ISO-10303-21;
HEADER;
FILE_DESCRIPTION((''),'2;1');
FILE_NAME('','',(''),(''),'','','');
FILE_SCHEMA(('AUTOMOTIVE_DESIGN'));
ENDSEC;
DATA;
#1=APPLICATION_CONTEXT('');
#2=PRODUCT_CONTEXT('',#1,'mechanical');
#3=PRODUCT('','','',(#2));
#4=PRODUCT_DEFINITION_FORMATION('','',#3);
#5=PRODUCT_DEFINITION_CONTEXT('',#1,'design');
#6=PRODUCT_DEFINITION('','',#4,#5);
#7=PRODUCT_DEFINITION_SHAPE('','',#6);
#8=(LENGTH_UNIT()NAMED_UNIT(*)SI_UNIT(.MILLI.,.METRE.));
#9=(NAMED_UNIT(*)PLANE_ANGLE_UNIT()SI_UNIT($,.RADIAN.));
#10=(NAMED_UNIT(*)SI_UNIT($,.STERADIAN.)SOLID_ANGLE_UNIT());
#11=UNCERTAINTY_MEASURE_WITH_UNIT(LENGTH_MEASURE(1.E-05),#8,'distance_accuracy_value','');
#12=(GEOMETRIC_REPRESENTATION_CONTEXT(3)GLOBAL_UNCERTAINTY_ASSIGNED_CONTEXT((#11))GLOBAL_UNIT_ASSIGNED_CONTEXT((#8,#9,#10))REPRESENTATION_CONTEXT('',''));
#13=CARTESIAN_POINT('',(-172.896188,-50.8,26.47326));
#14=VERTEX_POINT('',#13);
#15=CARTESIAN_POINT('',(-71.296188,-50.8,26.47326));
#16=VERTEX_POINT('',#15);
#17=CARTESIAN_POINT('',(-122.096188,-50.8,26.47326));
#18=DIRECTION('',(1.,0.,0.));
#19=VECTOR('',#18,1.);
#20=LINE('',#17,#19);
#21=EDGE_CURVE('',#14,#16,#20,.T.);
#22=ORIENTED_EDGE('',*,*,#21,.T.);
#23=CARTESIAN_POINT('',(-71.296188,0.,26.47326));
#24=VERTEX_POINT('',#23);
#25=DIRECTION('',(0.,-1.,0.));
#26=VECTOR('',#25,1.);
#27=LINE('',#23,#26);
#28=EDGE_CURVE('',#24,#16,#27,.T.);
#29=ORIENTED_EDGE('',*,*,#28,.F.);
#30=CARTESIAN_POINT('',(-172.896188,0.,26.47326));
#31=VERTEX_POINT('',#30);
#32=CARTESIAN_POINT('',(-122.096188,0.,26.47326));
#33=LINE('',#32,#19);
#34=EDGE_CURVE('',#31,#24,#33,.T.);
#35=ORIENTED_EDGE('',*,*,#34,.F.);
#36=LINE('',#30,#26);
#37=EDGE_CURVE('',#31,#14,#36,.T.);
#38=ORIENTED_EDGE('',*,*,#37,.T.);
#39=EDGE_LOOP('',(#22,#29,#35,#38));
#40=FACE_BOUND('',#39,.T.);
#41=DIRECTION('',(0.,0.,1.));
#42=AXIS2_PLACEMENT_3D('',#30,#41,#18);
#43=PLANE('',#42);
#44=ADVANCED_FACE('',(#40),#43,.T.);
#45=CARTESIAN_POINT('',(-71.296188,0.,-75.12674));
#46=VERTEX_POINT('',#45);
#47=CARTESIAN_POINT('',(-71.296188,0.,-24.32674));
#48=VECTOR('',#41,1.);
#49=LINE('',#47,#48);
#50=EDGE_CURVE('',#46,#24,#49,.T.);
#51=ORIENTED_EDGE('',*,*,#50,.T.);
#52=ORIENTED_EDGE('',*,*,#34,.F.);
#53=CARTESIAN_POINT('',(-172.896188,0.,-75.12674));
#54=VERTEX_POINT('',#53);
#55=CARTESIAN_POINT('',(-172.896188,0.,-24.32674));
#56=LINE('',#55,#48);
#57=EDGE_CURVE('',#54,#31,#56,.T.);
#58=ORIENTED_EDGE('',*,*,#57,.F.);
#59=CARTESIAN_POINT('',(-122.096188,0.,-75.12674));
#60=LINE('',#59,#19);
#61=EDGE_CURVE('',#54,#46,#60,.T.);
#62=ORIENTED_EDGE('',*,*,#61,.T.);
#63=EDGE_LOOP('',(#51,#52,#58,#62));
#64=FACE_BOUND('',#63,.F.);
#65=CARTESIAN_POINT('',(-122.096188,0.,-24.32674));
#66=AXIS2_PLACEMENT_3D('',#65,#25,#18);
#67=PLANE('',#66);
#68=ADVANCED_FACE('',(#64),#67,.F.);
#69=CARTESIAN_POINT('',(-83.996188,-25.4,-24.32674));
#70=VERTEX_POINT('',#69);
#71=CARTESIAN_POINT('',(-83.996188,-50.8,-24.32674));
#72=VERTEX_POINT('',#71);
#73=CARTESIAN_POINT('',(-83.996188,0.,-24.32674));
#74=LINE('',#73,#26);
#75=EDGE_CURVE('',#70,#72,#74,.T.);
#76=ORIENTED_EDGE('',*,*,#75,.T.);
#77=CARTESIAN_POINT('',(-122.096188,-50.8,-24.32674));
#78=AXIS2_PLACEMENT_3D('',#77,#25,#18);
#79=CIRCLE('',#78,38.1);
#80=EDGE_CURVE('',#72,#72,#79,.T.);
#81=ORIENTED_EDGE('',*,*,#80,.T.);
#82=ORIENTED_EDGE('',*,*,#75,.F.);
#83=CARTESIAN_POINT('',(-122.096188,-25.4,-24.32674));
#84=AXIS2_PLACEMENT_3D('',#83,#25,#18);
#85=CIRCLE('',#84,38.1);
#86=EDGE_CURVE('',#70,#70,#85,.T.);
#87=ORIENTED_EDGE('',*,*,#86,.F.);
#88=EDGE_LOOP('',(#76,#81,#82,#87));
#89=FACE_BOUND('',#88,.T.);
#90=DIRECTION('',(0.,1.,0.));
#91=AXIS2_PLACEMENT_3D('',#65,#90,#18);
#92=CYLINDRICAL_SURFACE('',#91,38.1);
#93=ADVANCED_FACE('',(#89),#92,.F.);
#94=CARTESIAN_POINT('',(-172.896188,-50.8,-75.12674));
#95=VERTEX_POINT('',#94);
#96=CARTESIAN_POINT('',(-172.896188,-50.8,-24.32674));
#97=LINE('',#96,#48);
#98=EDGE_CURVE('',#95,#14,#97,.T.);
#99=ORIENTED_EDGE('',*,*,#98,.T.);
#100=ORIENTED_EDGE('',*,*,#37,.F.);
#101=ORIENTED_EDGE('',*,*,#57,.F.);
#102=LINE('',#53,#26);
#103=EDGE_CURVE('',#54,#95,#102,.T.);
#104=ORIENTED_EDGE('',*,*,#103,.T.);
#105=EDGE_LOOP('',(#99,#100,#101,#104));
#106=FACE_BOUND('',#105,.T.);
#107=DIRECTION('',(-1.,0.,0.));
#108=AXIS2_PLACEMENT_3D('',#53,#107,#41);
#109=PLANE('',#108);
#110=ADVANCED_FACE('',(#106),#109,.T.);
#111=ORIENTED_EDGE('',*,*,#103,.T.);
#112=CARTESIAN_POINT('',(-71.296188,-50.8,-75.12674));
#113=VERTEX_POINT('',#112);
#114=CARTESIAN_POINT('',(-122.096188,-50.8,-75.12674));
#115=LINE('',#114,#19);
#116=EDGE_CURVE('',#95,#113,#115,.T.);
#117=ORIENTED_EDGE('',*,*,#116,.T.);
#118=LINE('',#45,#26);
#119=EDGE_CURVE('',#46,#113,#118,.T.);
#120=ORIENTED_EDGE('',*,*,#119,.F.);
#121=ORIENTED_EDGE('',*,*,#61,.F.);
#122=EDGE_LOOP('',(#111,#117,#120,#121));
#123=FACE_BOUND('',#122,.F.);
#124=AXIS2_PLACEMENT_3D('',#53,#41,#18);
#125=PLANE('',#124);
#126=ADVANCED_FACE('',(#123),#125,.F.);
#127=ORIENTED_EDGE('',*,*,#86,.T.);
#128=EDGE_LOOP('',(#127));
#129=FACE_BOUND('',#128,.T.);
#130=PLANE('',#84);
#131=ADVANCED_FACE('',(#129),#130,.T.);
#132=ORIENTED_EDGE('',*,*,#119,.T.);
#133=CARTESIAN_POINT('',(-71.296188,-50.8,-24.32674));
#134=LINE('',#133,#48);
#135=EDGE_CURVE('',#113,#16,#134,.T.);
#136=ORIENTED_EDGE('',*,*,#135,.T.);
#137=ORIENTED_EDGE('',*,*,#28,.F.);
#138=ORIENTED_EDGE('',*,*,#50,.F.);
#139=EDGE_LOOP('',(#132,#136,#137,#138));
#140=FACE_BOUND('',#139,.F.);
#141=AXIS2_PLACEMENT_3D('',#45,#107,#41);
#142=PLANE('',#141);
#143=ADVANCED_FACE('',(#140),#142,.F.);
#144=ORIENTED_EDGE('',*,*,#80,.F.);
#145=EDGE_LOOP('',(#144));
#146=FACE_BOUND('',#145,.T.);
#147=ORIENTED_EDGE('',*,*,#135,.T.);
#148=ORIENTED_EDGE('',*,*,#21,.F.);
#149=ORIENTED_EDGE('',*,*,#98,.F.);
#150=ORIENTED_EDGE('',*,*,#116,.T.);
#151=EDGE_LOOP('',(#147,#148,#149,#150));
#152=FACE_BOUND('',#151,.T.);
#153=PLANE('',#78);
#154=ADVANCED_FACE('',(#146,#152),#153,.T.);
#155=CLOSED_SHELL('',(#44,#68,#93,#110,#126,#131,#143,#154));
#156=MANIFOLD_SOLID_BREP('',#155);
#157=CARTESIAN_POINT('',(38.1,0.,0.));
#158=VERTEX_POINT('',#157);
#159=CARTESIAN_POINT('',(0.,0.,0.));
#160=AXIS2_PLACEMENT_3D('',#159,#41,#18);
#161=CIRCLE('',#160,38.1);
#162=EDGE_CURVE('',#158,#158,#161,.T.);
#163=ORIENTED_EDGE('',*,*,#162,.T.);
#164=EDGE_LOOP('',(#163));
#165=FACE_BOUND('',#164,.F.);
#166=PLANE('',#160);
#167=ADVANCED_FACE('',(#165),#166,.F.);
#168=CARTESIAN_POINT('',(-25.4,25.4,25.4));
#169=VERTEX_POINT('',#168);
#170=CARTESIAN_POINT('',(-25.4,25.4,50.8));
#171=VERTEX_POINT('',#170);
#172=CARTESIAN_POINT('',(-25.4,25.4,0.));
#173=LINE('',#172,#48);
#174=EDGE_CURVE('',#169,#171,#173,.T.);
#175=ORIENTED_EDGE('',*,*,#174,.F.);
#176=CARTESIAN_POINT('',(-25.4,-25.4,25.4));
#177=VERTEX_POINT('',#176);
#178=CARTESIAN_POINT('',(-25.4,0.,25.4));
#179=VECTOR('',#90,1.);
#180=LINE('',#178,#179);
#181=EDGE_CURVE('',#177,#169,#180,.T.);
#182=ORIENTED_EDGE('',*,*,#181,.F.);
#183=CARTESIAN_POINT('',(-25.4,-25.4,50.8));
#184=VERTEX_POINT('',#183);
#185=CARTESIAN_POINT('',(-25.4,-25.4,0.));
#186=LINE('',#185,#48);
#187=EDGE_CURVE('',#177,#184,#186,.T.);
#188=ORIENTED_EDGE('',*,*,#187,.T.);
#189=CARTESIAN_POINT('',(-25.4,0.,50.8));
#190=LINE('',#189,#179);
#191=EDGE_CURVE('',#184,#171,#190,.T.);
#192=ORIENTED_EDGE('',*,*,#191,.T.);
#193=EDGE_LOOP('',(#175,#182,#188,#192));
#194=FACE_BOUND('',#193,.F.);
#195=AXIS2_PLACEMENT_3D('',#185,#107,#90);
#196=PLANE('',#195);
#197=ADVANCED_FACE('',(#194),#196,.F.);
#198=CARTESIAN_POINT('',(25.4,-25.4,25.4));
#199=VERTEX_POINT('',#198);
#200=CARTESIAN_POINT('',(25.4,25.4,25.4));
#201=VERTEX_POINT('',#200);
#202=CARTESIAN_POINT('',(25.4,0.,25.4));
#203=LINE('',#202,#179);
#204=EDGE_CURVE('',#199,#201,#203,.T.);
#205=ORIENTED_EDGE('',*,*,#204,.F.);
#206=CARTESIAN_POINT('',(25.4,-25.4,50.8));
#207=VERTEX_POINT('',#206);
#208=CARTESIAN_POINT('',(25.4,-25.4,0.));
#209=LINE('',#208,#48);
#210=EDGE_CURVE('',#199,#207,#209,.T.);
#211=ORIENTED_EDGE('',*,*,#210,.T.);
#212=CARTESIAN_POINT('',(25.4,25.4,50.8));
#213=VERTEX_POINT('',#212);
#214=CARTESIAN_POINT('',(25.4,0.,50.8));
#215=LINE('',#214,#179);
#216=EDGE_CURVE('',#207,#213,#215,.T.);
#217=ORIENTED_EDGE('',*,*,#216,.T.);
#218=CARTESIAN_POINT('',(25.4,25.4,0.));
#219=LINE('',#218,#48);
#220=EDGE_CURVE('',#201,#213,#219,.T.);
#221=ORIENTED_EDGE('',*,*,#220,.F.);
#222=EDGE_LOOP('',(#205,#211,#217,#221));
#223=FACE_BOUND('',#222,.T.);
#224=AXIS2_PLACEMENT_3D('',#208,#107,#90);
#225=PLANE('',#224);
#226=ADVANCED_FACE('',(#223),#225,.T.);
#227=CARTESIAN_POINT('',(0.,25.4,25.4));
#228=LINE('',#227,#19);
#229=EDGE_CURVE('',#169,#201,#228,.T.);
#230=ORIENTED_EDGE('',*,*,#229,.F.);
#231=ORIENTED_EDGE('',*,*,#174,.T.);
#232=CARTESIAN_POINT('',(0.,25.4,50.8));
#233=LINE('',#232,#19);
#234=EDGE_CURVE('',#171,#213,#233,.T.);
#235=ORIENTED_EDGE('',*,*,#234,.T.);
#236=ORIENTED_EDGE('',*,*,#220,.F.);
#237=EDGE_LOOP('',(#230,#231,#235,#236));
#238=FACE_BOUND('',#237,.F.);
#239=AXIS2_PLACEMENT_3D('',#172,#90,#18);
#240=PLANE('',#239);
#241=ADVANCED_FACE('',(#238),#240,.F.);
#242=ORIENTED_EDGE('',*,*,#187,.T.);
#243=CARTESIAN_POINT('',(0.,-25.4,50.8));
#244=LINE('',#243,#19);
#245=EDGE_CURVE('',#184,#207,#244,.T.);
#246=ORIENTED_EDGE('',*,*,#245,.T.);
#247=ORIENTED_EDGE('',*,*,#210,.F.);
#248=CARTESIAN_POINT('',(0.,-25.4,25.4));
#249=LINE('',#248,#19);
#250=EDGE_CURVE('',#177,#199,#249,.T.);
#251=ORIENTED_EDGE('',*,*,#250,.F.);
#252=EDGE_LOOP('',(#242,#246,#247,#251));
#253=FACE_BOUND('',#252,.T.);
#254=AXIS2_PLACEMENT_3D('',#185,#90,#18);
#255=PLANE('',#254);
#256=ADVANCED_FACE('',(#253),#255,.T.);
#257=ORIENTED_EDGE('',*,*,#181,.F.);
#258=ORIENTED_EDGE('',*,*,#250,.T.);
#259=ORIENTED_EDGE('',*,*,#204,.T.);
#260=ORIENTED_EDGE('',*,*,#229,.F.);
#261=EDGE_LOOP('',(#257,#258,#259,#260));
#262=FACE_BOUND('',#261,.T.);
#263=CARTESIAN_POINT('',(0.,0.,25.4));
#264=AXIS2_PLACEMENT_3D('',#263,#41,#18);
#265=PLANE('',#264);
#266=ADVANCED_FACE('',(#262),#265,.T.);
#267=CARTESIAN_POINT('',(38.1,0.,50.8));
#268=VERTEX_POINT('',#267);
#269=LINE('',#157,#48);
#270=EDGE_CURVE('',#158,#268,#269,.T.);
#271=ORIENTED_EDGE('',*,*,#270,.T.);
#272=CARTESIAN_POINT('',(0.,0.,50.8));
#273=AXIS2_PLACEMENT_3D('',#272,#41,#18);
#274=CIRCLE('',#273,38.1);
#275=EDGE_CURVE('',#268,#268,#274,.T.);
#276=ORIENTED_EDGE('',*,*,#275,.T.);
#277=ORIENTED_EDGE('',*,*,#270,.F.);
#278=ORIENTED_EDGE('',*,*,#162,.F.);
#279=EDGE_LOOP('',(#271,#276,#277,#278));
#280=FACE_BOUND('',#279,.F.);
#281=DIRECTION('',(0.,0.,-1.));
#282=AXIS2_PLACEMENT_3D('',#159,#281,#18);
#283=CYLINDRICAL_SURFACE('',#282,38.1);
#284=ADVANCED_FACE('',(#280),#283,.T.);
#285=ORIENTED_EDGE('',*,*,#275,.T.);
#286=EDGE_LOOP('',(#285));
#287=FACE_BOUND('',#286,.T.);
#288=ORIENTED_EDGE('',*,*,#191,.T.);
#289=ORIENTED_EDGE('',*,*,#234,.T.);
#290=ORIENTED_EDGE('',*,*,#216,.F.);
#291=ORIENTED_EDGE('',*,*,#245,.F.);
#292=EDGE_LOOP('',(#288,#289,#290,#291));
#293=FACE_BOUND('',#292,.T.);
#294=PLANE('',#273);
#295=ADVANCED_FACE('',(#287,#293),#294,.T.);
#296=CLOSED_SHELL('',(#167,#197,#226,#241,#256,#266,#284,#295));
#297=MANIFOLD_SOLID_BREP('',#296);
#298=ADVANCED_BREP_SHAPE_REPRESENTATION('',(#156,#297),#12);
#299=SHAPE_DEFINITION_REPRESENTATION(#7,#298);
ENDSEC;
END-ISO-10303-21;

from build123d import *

# Parameters (mm, degrees)
F0_R     = 38.1
F0_W     = 50.8
F0_H     = 50.8
F1_DEPTH = 50.8
F2_DEPTH = 25.4
F3_W     = 101.6
F3_H     = 101.6
F3_R     = 38.1
F4_DEPTH = 50.8
F5_DEPTH = 25.4


with BuildPart() as f1:
    # F0 (on Top) → F1 (new body)
    with BuildSketch(Plane.XY):
        Circle(F0_R)
        Rectangle(F0_W, F0_H, mode=Mode.SUBTRACT)
    extrude(amount=F1_DEPTH)

    # F0 (on Top) → F2 (join)
    with BuildSketch(Plane.XY):
        Rectangle(F0_W, F0_H)
    extrude(amount=F2_DEPTH)


with BuildPart() as f4:
    # F3 (on Front) → F4 (new body)
    with BuildSketch(Plane.XZ):
        with Locations((-122.096188, -24.32674)):
            Rectangle(F3_W, F3_H)
        with Locations((-122.096188, -24.32674)):
            Circle(F3_R, mode=Mode.SUBTRACT)
    extrude(amount=F4_DEPTH)

    # F3 (on Front) → F5 (join)
    with BuildSketch(Plane.XZ):
        with Locations((-122.096188, -24.32674)):
            Circle(F3_R)
    extrude(amount=F5_DEPTH)


solid = Compound([f1.part, f4.part])
